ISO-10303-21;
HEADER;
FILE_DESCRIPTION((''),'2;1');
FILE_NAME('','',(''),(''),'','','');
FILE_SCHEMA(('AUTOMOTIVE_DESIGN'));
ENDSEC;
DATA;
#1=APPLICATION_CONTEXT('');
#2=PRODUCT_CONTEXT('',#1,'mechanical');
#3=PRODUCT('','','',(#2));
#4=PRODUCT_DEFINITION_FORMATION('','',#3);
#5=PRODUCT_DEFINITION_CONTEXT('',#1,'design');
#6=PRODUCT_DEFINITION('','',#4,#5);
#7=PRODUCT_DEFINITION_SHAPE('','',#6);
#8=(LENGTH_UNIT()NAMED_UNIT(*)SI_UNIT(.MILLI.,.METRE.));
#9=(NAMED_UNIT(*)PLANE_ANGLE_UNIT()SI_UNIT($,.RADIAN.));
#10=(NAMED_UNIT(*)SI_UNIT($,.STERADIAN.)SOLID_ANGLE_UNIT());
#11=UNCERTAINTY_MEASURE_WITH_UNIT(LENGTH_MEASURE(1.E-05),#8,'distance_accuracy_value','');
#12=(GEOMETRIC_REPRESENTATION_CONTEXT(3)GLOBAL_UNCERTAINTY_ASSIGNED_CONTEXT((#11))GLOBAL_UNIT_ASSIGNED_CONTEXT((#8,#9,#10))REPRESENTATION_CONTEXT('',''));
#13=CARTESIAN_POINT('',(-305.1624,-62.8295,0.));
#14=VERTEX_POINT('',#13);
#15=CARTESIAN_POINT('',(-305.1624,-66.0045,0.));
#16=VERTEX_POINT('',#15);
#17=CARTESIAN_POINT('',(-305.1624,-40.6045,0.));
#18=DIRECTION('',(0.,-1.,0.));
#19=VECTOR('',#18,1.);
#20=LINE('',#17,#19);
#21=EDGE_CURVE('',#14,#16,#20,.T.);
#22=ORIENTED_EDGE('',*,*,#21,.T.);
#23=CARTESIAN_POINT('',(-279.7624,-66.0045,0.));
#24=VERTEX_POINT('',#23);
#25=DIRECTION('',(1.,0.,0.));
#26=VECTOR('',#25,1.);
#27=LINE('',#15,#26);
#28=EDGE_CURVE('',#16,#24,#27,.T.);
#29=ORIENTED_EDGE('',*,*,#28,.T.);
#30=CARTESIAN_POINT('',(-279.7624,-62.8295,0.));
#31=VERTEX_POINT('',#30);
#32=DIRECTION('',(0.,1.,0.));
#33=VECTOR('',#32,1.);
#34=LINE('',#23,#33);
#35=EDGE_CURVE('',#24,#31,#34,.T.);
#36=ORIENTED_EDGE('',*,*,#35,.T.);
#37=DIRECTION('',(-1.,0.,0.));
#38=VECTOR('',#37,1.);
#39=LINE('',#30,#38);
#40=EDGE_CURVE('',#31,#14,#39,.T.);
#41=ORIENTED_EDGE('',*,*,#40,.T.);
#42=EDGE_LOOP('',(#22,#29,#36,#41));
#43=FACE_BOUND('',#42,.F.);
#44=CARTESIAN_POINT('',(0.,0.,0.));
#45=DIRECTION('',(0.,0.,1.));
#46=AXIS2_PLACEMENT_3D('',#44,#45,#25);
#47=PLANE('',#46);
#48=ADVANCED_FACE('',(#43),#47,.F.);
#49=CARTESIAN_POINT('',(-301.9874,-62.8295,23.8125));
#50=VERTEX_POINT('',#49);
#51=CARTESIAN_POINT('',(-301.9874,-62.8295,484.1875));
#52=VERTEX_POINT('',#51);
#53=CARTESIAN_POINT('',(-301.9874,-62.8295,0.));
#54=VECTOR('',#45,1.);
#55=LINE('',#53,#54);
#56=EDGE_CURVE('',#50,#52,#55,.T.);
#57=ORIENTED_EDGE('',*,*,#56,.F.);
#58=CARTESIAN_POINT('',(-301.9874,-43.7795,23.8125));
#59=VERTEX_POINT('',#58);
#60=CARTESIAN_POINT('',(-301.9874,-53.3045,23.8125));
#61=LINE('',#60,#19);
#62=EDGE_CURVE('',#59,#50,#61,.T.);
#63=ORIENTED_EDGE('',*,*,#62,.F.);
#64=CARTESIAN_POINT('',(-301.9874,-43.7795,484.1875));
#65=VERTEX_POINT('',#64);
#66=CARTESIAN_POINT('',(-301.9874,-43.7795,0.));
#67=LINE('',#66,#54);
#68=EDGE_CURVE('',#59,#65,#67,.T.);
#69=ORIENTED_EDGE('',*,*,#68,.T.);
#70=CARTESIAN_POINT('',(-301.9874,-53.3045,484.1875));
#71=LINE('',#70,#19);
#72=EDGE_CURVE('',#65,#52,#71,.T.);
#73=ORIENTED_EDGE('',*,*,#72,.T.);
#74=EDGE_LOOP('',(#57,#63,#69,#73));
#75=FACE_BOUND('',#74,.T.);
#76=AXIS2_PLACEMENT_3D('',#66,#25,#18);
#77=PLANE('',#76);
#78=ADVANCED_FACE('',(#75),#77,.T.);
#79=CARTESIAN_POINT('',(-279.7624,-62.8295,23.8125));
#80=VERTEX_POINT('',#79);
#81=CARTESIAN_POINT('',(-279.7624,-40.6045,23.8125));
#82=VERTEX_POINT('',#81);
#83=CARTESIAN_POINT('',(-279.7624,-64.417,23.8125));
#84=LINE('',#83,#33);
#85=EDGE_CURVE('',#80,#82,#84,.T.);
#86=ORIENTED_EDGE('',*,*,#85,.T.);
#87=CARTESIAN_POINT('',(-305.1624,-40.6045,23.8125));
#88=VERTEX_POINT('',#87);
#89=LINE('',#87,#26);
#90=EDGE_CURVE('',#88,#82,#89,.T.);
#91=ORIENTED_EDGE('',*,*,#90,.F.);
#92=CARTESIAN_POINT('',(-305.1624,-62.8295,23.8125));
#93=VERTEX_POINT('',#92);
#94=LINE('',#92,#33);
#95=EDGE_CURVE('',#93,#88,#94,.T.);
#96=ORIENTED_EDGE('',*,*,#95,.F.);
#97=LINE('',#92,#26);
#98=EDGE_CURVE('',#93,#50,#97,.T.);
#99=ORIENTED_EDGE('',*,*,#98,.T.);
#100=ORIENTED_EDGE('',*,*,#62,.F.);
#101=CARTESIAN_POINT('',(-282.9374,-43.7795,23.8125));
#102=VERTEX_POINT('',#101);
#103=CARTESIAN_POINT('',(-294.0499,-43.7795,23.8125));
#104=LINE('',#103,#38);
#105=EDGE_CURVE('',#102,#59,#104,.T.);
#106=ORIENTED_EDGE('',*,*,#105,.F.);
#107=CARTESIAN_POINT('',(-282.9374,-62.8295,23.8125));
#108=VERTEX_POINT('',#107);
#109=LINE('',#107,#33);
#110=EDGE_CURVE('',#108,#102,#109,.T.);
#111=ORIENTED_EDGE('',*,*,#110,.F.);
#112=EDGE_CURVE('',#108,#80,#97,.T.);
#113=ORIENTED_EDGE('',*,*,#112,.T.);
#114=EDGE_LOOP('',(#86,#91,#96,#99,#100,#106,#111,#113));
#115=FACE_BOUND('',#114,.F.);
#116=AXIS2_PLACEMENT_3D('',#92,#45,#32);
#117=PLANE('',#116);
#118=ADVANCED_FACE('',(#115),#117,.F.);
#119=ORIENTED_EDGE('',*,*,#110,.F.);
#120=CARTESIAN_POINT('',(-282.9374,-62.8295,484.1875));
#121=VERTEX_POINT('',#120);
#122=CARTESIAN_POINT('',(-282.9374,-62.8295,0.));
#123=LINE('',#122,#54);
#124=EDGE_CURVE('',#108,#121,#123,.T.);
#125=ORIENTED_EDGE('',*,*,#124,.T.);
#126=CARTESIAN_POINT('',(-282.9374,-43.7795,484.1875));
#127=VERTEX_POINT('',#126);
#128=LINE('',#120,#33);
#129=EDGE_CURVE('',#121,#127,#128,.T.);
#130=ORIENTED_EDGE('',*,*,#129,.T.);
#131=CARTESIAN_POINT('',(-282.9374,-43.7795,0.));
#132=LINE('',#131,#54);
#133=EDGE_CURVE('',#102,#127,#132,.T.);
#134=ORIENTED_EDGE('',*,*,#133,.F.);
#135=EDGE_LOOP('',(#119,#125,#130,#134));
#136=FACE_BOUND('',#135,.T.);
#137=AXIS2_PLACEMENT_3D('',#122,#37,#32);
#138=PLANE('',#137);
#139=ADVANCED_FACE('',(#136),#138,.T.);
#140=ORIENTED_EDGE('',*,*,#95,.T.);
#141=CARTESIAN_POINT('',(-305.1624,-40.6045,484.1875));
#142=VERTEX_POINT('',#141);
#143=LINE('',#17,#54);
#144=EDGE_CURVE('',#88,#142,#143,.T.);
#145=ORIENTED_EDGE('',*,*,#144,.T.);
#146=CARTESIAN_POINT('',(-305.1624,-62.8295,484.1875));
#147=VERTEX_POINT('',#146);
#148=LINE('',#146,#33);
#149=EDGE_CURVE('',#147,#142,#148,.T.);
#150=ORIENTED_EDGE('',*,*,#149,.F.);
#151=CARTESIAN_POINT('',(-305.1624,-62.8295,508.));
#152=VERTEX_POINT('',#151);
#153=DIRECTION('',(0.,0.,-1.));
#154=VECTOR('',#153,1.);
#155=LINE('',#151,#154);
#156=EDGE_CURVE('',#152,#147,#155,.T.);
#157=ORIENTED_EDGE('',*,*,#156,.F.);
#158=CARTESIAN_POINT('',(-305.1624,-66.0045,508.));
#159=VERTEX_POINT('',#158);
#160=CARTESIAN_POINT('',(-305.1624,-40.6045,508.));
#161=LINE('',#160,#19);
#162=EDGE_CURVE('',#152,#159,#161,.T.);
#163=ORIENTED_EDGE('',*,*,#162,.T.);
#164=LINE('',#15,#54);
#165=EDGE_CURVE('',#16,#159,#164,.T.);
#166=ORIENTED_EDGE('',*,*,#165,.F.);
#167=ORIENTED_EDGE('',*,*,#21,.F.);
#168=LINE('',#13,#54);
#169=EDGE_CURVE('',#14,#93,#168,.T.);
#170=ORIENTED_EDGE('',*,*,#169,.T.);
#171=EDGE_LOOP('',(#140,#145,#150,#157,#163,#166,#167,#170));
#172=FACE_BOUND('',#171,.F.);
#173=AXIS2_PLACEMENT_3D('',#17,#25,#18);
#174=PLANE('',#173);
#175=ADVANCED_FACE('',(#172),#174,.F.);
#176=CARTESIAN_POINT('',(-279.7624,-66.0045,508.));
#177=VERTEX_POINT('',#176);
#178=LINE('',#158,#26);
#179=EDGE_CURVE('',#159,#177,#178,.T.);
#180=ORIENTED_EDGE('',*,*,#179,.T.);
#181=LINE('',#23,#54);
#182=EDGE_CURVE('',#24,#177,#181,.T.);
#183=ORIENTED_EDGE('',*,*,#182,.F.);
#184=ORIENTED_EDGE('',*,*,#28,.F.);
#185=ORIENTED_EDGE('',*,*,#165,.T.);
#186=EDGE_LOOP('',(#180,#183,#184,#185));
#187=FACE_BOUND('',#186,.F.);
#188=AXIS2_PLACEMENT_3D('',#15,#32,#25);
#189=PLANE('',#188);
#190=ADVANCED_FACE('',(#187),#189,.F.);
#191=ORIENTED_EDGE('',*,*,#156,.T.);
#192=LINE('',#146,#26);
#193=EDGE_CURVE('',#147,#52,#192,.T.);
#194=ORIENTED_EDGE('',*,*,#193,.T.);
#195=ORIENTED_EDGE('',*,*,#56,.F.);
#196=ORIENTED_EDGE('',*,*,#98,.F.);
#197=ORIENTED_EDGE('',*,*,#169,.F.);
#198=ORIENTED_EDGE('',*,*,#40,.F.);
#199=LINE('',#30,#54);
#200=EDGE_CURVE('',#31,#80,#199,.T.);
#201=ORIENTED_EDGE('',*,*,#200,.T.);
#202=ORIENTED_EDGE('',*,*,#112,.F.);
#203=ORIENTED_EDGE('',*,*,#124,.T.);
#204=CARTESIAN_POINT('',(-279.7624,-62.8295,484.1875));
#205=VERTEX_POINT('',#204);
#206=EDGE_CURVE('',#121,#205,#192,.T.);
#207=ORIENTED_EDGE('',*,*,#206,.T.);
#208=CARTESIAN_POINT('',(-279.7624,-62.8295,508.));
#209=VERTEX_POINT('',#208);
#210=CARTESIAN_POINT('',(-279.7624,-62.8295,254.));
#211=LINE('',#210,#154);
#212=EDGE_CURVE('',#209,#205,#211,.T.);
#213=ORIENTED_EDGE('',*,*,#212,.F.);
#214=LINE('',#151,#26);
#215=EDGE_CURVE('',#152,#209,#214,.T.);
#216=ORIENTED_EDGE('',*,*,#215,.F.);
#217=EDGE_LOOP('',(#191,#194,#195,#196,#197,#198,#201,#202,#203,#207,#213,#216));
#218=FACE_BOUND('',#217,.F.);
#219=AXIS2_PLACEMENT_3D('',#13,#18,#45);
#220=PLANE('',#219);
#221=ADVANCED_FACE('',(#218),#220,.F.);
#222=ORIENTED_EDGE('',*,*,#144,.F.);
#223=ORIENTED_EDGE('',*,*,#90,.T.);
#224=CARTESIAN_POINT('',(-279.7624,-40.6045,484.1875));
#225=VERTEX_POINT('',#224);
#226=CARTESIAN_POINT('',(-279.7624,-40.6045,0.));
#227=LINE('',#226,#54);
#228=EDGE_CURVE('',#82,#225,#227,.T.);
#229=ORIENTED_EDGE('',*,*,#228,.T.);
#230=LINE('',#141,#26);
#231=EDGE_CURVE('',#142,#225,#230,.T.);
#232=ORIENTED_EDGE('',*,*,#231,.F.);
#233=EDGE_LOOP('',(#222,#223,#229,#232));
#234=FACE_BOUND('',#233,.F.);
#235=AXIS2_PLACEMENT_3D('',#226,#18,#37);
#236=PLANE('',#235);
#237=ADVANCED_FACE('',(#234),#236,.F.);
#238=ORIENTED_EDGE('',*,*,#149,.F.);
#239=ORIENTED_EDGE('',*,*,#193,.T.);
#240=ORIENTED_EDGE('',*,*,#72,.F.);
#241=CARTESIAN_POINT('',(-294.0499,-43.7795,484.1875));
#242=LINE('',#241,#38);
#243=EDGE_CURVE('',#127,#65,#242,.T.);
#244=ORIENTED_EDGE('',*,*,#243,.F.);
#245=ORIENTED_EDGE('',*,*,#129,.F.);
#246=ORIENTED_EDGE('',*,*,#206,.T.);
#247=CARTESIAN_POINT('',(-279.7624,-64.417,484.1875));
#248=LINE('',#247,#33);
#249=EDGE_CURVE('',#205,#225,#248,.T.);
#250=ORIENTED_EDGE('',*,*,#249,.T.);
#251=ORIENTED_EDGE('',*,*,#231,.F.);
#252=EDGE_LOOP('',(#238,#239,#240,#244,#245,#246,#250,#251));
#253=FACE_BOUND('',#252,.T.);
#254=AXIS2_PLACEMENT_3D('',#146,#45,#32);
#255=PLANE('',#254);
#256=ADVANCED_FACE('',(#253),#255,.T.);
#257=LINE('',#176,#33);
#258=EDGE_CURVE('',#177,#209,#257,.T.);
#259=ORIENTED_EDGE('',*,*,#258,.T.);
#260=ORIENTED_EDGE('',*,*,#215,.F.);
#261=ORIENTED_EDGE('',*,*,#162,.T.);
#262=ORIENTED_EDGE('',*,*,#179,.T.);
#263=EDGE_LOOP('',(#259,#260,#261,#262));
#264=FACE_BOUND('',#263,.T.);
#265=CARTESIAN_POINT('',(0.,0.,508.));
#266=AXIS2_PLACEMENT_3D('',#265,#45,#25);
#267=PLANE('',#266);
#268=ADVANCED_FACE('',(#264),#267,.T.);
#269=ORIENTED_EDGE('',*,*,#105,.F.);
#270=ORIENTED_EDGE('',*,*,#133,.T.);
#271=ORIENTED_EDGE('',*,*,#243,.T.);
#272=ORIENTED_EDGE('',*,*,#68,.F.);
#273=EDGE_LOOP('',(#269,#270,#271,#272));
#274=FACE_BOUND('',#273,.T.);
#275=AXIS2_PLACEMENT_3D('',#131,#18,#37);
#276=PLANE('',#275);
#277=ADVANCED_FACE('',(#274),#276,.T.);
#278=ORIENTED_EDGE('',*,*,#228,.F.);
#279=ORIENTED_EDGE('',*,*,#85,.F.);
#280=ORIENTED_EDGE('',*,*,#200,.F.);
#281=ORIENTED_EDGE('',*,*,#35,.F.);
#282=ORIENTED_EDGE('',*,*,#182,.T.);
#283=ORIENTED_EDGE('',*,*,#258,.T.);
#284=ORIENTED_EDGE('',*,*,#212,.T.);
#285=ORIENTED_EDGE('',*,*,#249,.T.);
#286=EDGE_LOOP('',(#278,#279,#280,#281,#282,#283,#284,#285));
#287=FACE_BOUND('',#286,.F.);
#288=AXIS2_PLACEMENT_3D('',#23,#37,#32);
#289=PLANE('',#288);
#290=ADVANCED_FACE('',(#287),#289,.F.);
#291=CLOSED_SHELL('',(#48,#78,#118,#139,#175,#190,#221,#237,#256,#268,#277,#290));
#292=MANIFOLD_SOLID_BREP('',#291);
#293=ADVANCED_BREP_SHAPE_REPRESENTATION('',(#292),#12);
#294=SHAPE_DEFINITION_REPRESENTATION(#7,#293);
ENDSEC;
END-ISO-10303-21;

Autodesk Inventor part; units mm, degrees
ref_plane "YZ Plane" through (0, 0, 0) normal (1, 0, 0) x (0, 1, 0)
ref_plane "XZ Plane" through (0, 0, 0) normal (0, 1, 0) x (-1, 0, 0)
ref_plane "XY Plane" through (0, 0, 0) normal (0, 0, 1) x (1, 0, 0)
sketch "Sketch1" plane through (0, 0, 0) normal (0, 0, 1) x (1, 0, 0)
  line L0 (-305.1624, -66.0045) -> (-279.7624, -66.0045)
  line L1 (-279.7624, -66.0045) -> (-279.7624, -40.6045)
  line L2 (-279.7624, -40.6045) -> (-305.1624, -40.6045)
  line L3 (-305.1624, -40.6045) -> (-305.1624, -66.0045)
  line L4 (-301.9874, -62.8295) -> (-282.9374, -62.8295)
  line L5 (-282.9374, -62.8295) -> (-282.9374, -43.7795)
  line L6 (-282.9374, -43.7795) -> (-301.9874, -43.7795)
  line L7 (-301.9874, -43.7795) -> (-301.9874, -62.8295)
  point P0 (0, 0)
  dimension "d0" = 25.4
  dimension "d1" = 25.4
  dimension "d2" = 3.175
extrude "Extrusion1" add sketch "Sketch1" along normal blind 508
sketch "Sketch2" plane through (-305.1624, -66.0045, 0) normal (-1, 0, 0) x (0, 0, 1)
  line L0 (508, 3.175) -> (508, 22.225) projected
  line L1 (508, 3.175) -> (484.1875, 3.175)
  line L2 (484.1875, 3.175) -> (484.1875, 25.4)
  line L3 (484.1875, 25.4) -> (508, 25.4)
  line L4 (508, 25.4) -> (508, 3.175)
  line L5 (0, 3.175) -> (0, 22.225) projected
  line L6 (0, 25.4) -> (508, 25.4) projected
  line L7 (0, 3.175) -> (23.8125, 3.175)
  line L8 (23.8125, 3.175) -> (23.8125, 25.4)
  line L9 (23.8125, 25.4) -> (0, 25.4)
  line L10 (0, 25.4) -> (0, 3.175)
  point P0 (0, 66.0045)
  point P1 (496.0938, 25.4)
  dimension "d5" = 460.375
  dimension "d6" = 508
  dimension "d7" = 23.8125
extrude "Extrusion2" cut sketch "Sketch2" against normal through all
equation "\"d7\" = -0.5 * d5 + 0.5 * d6"
properties part number "2018 Top Cross Bar"
